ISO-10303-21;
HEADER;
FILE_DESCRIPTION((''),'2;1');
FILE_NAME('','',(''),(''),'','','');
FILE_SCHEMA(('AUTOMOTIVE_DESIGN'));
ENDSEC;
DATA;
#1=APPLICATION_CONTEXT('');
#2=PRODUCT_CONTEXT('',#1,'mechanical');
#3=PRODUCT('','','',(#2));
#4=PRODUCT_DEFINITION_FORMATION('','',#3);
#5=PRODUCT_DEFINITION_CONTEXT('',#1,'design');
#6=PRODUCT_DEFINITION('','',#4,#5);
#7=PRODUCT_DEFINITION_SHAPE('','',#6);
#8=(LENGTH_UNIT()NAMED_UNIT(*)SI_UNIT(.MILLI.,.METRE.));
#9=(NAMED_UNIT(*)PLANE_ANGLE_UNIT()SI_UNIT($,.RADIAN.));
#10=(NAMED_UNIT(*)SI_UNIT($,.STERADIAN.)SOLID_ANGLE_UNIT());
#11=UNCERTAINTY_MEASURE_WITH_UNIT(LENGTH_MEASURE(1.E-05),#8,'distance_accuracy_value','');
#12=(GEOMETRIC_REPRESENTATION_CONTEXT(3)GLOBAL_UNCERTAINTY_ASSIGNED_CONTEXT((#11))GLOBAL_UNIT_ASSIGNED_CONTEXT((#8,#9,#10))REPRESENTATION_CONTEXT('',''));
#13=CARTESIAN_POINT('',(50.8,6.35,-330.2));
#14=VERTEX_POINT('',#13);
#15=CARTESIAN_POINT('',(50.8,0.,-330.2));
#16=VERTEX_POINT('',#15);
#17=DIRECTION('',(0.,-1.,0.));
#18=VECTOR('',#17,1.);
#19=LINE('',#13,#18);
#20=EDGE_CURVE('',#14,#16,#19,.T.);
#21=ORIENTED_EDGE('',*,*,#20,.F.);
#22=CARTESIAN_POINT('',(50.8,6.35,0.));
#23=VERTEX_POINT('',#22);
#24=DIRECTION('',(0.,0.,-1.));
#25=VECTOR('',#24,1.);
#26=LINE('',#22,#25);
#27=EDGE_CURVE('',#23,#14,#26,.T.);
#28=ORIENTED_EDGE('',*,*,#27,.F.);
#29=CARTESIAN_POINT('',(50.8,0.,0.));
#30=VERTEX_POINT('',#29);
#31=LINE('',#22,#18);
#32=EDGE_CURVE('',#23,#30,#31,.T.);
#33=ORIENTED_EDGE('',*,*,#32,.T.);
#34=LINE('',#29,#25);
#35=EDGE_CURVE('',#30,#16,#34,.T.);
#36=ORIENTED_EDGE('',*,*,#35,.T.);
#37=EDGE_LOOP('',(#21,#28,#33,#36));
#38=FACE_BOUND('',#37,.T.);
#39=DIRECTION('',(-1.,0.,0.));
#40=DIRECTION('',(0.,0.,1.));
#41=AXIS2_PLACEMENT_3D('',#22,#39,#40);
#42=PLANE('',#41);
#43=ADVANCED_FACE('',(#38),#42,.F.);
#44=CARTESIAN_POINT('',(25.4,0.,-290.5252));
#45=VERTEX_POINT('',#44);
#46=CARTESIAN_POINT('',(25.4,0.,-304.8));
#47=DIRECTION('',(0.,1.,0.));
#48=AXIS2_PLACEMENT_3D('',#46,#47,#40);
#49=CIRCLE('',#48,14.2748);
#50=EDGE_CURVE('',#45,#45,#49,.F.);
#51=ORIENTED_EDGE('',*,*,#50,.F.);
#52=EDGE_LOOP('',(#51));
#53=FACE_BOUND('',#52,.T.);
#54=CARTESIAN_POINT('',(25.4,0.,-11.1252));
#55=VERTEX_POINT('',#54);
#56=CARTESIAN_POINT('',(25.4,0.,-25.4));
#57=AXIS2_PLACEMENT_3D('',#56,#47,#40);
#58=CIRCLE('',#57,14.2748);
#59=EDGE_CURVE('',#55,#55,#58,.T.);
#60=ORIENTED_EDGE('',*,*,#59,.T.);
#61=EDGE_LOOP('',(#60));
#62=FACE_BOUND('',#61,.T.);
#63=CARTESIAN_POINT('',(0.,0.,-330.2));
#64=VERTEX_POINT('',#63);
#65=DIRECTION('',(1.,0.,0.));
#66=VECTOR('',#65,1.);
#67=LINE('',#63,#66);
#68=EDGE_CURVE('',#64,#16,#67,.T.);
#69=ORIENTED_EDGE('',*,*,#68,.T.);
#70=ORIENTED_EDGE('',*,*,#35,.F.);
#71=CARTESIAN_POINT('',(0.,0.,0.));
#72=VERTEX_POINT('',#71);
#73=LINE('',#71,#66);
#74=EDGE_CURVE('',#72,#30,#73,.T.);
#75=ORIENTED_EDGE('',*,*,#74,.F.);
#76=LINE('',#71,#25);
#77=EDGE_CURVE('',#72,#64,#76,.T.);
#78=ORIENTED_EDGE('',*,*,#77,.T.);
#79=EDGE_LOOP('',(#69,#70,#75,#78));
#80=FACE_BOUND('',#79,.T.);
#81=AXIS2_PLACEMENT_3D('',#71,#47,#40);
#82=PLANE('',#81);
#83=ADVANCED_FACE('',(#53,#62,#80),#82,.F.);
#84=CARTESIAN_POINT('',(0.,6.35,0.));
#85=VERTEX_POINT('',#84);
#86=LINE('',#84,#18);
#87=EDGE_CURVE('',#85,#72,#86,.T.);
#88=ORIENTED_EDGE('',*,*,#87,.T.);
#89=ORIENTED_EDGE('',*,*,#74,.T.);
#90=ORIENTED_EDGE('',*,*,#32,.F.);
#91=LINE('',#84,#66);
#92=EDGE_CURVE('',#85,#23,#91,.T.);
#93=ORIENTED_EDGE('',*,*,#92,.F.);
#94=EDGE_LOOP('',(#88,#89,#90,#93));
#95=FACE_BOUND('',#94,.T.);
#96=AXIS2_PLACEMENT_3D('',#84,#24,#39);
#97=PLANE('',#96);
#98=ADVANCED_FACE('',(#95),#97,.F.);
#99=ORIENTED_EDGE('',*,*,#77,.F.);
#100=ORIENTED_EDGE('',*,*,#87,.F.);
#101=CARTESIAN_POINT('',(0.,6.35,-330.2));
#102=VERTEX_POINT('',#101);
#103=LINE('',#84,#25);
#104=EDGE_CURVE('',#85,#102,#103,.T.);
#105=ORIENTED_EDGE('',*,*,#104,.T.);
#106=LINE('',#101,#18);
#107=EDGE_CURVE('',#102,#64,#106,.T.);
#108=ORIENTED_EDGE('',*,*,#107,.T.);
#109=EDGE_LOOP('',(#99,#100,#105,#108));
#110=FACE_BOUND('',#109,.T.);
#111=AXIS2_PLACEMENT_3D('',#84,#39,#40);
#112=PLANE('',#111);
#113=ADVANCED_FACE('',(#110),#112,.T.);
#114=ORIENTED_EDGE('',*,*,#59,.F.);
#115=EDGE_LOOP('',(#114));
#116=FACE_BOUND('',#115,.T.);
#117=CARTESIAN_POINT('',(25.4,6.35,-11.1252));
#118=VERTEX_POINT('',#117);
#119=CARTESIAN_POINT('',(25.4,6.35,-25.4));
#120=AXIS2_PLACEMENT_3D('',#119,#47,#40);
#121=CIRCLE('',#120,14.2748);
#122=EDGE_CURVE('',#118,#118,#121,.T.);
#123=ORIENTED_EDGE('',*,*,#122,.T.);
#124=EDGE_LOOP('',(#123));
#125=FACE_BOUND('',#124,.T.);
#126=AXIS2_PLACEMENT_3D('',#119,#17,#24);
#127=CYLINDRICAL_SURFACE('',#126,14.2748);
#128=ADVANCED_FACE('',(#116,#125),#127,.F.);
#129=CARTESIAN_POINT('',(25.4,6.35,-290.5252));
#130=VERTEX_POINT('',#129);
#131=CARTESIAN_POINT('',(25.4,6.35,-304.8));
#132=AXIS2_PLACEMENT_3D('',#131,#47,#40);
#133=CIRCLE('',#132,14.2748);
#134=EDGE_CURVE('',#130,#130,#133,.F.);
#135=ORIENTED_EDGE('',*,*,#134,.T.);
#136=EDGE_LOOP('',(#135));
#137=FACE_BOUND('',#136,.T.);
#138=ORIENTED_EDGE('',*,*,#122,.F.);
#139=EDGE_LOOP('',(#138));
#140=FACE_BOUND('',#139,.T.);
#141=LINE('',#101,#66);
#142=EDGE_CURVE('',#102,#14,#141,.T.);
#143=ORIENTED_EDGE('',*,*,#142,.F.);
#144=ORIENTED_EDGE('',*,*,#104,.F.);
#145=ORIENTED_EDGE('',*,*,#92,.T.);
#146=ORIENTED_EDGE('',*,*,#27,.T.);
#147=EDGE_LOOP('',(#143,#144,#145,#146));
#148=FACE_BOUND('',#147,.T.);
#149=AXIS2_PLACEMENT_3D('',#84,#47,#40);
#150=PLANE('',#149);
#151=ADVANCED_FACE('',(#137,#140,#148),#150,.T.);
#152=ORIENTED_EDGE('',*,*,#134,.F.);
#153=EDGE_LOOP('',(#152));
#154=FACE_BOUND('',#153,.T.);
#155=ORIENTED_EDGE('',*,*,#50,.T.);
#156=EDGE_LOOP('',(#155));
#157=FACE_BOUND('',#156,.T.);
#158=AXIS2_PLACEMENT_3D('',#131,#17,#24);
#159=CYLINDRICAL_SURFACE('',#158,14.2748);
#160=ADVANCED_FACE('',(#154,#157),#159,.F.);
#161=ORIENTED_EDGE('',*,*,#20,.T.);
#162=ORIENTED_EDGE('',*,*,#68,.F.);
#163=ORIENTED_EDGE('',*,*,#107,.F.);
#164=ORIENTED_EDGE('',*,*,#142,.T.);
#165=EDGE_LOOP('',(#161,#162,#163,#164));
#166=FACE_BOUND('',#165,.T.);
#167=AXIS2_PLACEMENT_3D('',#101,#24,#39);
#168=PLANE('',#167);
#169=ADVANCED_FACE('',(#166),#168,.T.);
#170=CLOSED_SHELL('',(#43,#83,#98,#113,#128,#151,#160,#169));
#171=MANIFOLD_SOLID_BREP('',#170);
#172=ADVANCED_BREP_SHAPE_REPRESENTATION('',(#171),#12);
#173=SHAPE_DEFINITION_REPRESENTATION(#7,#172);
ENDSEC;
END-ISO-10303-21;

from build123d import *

# Parameters (mm, degrees)
SKETCH1_W           = 50.8
SKETCH1_H           = 330.2
SKETCH1_R           = 14.2748
BOSS_EXTRUDE2_DEPTH = 6.35


with BuildPart() as part:
    # Sketch1 → Boss-Extrude2 (new body)
    with BuildSketch(Plane(origin=(0, 0, 0), x_dir=(1, 0, 0), z_dir=(0, 1, 0))):
        with Locations((25.4, 165.1)):
            Rectangle(SKETCH1_W, SKETCH1_H)
        with Locations((25.4, 25.4)):
            Circle(SKETCH1_R, mode=Mode.SUBTRACT)
        with Locations((25.4, 304.8)):
            Circle(SKETCH1_R, mode=Mode.SUBTRACT)
    extrude(amount=BOSS_EXTRUDE2_DEPTH)


solid = part.part
